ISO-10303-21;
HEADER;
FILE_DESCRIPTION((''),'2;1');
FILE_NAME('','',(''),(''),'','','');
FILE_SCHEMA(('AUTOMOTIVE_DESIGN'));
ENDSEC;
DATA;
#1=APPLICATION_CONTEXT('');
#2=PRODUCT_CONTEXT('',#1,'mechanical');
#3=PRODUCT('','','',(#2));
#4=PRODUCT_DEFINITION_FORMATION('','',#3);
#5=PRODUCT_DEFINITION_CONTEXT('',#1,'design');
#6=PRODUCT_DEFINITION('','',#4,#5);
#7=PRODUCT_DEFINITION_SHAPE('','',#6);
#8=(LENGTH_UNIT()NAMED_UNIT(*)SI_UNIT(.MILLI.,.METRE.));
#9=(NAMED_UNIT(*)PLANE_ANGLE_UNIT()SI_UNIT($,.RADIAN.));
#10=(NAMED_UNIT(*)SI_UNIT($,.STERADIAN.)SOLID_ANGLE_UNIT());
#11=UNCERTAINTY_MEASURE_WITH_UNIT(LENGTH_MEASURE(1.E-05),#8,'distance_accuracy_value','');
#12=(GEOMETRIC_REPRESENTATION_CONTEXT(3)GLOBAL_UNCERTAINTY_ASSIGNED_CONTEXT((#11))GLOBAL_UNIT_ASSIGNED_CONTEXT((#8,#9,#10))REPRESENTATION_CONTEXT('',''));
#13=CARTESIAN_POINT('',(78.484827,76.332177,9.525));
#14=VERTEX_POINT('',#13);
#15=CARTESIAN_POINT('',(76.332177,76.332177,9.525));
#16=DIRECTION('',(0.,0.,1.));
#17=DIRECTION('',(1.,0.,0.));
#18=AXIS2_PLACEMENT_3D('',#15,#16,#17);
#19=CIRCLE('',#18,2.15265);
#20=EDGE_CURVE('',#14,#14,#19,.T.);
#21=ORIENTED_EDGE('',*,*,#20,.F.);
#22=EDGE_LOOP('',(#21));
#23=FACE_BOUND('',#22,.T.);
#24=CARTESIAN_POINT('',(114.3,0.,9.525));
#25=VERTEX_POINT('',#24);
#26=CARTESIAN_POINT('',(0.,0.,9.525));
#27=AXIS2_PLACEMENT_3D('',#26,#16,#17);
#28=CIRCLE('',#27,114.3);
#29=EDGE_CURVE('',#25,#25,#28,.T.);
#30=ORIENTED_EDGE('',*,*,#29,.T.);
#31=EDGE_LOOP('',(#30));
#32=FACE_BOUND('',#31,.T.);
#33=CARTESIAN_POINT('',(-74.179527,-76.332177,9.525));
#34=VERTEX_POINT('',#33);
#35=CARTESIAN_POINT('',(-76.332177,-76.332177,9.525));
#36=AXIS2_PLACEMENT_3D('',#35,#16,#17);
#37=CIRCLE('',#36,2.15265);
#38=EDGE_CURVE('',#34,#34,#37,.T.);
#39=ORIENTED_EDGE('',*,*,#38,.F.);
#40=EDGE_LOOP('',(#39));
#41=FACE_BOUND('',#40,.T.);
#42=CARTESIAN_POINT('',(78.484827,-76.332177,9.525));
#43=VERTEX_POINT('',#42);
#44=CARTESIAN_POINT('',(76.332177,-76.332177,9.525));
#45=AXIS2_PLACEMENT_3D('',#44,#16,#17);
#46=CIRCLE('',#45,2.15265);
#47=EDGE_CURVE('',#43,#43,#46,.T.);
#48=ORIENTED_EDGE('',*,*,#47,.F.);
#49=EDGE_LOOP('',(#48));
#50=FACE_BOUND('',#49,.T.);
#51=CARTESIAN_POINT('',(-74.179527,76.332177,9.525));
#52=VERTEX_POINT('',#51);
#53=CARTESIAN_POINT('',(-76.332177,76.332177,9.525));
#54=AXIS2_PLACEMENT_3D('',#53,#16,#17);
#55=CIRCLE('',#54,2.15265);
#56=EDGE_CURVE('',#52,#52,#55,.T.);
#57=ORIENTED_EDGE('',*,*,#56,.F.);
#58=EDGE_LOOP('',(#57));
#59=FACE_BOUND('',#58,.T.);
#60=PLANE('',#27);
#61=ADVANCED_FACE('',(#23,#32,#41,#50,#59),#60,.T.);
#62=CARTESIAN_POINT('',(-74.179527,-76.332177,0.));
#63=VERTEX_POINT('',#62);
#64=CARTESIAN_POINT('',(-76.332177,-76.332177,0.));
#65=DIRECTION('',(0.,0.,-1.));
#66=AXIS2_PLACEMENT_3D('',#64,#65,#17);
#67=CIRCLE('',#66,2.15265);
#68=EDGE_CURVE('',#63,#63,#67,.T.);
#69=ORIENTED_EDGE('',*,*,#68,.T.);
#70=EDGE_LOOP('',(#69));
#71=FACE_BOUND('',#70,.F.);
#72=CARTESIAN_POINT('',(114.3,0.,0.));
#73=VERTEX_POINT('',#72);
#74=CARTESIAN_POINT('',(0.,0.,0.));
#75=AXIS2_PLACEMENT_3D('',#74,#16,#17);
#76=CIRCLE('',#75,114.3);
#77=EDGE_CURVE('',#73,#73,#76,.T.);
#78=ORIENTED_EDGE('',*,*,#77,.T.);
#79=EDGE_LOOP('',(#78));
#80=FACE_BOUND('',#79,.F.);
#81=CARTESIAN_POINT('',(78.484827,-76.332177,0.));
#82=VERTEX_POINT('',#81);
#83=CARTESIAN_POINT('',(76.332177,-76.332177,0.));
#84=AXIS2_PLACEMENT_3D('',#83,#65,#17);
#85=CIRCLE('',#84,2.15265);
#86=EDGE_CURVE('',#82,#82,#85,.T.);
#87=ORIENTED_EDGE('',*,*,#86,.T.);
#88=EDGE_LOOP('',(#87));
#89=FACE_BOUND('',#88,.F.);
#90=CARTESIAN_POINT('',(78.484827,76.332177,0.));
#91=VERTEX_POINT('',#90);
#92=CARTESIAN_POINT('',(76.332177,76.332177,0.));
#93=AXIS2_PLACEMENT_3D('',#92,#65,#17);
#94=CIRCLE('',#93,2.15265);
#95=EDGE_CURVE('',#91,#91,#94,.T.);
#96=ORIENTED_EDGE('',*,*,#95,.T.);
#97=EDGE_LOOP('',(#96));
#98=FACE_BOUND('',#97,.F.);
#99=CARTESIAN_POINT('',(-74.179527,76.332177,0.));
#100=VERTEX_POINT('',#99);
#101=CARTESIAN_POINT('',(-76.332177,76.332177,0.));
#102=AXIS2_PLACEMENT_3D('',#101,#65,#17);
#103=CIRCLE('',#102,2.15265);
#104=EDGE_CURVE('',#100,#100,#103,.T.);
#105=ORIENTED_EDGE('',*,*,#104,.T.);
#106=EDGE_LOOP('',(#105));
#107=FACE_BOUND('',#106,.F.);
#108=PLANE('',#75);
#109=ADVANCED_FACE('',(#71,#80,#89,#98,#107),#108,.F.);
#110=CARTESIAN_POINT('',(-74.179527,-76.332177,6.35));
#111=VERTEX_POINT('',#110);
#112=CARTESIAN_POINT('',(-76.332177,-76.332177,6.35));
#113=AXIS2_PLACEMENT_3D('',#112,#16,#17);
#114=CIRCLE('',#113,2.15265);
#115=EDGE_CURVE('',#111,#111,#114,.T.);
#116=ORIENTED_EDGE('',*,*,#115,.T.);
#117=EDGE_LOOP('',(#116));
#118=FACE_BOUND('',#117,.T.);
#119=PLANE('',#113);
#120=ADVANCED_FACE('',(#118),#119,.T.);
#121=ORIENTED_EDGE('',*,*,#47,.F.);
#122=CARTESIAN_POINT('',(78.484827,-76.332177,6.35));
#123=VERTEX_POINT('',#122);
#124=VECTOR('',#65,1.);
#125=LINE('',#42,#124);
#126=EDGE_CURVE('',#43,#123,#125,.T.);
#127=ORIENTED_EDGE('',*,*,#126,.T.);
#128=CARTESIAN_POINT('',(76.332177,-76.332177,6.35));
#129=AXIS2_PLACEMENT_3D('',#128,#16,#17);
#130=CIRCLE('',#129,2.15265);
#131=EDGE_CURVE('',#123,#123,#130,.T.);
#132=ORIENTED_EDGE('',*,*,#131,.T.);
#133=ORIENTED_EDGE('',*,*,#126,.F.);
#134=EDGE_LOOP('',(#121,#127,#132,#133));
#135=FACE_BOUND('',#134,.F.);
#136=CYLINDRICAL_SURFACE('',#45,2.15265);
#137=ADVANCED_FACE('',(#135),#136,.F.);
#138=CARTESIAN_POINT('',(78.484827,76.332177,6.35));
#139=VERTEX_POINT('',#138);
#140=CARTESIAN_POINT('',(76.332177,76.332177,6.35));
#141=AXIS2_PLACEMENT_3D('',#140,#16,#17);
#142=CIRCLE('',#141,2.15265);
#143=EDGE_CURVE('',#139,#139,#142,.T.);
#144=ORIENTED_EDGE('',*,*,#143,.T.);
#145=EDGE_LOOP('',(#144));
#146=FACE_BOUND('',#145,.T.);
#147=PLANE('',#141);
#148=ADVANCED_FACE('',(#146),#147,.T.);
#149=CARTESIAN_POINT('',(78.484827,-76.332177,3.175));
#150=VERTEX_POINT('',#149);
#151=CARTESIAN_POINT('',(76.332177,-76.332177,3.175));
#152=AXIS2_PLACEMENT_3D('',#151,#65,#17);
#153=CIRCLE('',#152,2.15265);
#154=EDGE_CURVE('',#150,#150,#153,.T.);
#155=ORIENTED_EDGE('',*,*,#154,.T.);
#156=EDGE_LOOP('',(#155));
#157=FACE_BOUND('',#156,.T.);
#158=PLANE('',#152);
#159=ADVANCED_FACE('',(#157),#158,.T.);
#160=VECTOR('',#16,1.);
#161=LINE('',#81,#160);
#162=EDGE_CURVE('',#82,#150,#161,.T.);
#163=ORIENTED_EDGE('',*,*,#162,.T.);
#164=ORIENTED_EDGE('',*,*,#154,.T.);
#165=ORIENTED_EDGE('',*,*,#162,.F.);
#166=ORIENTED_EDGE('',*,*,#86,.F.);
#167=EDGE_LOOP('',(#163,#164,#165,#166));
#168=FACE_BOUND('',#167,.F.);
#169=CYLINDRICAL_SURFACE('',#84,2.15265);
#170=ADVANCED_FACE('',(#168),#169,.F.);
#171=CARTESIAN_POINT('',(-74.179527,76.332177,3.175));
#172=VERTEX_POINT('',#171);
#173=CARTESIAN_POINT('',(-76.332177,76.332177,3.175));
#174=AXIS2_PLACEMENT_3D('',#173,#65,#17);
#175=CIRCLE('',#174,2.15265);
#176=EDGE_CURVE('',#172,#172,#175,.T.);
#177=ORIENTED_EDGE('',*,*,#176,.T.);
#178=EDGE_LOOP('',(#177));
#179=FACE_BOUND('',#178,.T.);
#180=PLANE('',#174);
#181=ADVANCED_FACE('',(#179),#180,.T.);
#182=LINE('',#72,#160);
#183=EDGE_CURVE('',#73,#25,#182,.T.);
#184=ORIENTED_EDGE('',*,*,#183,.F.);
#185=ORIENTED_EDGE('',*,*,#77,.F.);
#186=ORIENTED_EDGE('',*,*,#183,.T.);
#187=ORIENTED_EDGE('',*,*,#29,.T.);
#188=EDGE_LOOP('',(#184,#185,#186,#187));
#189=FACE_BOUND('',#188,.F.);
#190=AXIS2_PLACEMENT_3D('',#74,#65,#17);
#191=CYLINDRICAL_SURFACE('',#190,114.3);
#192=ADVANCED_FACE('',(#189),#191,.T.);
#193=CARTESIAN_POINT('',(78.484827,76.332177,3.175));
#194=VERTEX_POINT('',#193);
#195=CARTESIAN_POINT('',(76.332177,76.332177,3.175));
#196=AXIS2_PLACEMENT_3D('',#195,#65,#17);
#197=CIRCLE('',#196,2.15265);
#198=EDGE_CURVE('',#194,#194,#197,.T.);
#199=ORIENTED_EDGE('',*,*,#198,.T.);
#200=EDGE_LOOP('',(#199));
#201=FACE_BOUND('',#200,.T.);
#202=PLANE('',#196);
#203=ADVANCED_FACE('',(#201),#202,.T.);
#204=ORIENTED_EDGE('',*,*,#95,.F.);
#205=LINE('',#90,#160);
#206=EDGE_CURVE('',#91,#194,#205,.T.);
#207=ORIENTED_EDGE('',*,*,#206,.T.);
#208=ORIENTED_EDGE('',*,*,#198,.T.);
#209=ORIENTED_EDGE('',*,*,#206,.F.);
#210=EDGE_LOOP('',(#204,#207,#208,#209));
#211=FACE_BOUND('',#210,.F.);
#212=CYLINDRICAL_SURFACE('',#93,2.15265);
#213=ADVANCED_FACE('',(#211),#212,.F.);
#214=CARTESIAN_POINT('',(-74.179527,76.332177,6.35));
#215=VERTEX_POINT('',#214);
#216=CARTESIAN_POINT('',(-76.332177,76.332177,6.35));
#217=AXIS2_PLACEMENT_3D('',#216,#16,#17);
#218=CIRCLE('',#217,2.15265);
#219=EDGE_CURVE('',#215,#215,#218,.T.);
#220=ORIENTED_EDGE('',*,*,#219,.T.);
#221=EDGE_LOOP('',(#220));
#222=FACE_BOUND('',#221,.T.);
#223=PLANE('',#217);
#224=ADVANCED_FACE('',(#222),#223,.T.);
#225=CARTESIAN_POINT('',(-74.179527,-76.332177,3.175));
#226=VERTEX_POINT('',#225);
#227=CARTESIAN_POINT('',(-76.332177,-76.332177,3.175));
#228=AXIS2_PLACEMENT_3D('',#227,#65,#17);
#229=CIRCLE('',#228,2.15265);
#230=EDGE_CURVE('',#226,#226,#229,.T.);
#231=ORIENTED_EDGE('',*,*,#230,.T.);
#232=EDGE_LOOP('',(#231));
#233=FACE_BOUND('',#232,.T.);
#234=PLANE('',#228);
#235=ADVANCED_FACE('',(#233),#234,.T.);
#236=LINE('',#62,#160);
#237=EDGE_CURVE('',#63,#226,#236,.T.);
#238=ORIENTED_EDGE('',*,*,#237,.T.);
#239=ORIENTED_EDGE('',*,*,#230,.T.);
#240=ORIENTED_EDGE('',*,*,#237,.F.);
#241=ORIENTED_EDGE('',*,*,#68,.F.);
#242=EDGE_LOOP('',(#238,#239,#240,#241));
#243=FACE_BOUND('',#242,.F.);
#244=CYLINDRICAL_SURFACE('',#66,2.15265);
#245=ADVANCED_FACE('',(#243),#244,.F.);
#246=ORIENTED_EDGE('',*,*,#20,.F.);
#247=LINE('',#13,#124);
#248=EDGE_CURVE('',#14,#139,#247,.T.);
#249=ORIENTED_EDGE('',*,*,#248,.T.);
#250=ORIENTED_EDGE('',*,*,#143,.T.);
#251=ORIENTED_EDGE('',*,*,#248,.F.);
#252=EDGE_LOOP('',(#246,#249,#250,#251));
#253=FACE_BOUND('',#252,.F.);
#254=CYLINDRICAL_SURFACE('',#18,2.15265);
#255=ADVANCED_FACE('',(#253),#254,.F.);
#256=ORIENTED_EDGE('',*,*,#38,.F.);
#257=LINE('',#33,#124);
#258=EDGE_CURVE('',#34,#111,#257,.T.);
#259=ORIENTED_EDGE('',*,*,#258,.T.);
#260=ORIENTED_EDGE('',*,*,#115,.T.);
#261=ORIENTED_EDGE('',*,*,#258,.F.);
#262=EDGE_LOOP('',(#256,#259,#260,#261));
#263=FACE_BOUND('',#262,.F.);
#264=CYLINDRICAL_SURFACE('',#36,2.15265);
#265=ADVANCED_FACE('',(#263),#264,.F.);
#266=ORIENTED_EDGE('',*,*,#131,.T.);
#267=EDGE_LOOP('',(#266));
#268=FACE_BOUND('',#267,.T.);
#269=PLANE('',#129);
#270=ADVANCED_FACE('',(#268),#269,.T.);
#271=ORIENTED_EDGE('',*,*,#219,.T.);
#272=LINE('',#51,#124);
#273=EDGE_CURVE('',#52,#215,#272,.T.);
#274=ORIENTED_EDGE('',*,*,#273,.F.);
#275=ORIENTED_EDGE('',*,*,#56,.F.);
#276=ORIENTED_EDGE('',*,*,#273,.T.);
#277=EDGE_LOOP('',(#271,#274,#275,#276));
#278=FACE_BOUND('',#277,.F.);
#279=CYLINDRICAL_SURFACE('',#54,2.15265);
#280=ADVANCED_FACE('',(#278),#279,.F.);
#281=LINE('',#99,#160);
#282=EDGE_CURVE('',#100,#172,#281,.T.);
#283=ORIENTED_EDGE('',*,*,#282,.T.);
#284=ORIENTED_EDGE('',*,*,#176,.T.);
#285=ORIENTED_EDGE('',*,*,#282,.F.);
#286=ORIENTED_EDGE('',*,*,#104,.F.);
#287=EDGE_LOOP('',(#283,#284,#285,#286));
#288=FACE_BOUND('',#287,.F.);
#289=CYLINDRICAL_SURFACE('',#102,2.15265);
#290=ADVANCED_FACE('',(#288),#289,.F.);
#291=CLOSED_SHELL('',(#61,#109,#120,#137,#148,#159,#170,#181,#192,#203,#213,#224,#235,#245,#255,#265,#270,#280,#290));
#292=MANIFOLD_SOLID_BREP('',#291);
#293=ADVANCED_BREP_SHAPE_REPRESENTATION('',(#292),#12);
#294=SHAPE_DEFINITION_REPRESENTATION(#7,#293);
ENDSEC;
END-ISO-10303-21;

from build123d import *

# Parameters (mm, degrees)
F0_R     = 114.3
F1_DEPTH = 9.525
F2_R     = 2.15265
F3_DEPTH = 3.175
F4_R     = 2.15265
F5_DEPTH = 3.175


with BuildPart() as f1:
    # F0 (on Top) → F1 (new body)
    with BuildSketch(Plane.XY):
        Circle(F0_R)
    extrude(amount=F1_DEPTH)

    # F2 (on face) → F3 (cut)
    with BuildSketch(Plane.XY.offset(9.525)):
        with Locations((-76.332177, 76.332177)):
            Circle(F2_R)
        with Locations((76.332177, 76.332177)):
            Circle(F2_R)
        with Locations((76.332177, -76.332177)):
            Circle(F2_R)
        with Locations((-76.332177, -76.332177)):
            Circle(F2_R)
    extrude(amount=-F3_DEPTH, mode=Mode.SUBTRACT)

    # F4 (on face) → F5 (cut)
    with BuildSketch(Plane(origin=(0, 0, 0), x_dir=(1, 0, 0), z_dir=(0, 0, -1))):
        with Locations((-76.332177, 76.332177)):
            Circle(F4_R)
        with Locations((76.332177, 76.332177)):
            Circle(F4_R)
        with Locations((76.332177, -76.332177)):
            Circle(F4_R)
        with Locations((-76.332177, -76.332177)):
            Circle(F4_R)
    extrude(amount=-F5_DEPTH, mode=Mode.SUBTRACT)


solid = f1.part
